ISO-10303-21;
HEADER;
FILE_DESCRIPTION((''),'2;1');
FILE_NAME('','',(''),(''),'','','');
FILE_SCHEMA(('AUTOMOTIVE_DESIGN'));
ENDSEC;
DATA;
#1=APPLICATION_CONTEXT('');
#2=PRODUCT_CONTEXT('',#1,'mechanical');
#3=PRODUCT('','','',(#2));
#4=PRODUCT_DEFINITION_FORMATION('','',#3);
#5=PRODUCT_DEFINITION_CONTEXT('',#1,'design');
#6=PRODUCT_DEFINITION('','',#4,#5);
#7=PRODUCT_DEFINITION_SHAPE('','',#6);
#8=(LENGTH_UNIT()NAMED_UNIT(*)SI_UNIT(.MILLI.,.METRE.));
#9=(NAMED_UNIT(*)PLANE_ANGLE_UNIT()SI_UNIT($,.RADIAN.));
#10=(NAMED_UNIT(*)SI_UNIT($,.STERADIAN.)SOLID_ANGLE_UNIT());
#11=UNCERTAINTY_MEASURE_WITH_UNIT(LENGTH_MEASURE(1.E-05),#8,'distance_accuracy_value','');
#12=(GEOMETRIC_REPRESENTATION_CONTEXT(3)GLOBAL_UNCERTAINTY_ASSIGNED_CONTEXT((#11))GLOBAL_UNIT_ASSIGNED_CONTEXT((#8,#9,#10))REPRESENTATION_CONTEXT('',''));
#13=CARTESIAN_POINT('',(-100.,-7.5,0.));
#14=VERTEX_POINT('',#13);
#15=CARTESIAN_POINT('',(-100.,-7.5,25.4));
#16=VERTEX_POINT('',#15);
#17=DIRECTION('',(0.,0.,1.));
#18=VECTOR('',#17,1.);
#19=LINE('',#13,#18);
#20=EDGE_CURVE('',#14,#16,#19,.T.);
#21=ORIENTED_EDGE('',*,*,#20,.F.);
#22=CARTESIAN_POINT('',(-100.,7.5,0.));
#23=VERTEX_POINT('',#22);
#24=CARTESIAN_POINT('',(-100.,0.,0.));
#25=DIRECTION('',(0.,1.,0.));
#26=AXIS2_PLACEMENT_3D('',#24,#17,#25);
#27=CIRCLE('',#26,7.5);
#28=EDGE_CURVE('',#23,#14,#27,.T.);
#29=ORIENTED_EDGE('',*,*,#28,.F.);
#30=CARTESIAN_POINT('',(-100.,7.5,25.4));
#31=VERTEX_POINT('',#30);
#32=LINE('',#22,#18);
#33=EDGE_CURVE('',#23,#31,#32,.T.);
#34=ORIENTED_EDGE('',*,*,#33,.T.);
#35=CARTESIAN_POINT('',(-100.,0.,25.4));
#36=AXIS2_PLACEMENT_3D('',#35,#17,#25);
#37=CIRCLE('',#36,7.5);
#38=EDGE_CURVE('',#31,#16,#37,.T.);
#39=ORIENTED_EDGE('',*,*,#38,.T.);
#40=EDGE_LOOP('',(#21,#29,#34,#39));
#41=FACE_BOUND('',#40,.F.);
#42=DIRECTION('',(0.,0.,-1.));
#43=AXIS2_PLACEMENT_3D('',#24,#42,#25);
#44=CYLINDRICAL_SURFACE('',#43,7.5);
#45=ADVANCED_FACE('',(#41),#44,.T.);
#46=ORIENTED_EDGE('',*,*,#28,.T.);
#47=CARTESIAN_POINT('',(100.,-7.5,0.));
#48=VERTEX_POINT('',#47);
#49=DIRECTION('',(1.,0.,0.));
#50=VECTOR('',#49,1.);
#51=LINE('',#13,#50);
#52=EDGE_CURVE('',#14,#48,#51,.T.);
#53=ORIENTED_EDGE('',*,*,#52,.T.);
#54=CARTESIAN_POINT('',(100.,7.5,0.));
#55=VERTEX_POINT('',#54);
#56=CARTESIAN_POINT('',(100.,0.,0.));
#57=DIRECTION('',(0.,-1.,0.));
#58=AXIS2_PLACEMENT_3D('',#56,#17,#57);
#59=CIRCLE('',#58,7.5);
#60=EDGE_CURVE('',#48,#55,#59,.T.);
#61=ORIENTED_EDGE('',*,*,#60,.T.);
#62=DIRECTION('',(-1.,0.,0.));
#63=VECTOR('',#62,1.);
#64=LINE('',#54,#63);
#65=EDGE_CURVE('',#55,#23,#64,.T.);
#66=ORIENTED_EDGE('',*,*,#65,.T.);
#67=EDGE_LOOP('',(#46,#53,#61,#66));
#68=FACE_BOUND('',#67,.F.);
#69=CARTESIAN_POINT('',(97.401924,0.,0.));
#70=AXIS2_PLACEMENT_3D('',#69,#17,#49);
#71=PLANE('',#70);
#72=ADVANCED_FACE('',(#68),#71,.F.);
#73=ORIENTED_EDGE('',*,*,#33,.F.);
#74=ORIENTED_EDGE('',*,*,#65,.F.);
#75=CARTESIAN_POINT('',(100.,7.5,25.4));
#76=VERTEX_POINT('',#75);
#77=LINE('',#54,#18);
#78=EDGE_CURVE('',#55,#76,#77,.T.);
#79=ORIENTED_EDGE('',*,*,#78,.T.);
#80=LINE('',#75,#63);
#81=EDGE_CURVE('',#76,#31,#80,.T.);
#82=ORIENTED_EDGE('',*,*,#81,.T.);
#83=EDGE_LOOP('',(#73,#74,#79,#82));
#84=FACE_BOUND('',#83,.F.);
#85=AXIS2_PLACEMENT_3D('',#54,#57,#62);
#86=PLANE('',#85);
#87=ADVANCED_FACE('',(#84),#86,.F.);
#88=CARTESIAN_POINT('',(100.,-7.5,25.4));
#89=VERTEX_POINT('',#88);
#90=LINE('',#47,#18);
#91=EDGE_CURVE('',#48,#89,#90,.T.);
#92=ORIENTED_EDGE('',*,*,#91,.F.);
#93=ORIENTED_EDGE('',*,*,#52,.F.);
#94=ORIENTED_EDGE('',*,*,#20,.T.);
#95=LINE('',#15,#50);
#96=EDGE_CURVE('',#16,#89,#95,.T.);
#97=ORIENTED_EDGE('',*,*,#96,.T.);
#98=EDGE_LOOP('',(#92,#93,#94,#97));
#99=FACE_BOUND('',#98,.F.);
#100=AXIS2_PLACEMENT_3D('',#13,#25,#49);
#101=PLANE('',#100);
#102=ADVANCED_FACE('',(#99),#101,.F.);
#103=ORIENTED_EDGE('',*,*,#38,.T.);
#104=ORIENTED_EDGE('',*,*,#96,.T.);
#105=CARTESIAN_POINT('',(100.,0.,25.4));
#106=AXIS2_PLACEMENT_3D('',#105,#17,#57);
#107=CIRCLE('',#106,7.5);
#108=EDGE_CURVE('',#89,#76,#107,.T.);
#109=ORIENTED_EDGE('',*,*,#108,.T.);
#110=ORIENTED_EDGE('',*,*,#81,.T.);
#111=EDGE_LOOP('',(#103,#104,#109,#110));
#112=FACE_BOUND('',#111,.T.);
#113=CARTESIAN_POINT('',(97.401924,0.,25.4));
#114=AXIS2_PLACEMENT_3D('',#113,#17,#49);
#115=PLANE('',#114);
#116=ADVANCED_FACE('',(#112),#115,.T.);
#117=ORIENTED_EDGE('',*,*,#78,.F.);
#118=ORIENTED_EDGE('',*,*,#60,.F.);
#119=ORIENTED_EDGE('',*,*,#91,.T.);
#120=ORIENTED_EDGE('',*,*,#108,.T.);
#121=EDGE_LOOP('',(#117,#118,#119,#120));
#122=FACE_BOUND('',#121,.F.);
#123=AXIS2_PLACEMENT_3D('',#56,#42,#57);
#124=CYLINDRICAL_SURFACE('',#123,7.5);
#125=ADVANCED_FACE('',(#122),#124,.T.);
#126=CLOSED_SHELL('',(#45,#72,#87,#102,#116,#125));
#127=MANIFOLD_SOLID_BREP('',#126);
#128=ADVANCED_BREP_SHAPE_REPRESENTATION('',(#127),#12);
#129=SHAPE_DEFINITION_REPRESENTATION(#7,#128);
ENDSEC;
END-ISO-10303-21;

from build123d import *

# Parameters (mm, degrees)
F1_DEPTH = 25.4


with BuildPart() as f1:
    # F0 (on Top) → F1 (new body)
    with BuildSketch(Plane.XY):
        with BuildLine():
            ThreePointArc((100, 7.5), (92.5, 0), (100, -7.5))
            Line((100, -7.5), (100, 7.5))
        make_face()
        with BuildLine():
            Line((-100, -7.5), (100, -7.5))
            ThreePointArc((100, -7.5), (92.5, 0), (100, 7.5))
            Line((100, 7.5), (-100, 7.5))
            ThreePointArc((-100, 7.5), (-94.6966991411, 5.3033008589), (-92.5, 0))
            ThreePointArc((-92.5, 0), (-94.6966991411, -5.3033008589), (-100, -7.5))
        make_face()
        with BuildLine():
            Line((100, 7.5), (100, -7.5))
            ThreePointArc((100, -7.5), (105.3033008589, -5.3033008589), (107.5, 0))
            ThreePointArc((107.5, 0), (105.3033008589, 5.3033008589), (100, 7.5))
        make_face()
        with BuildLine():
            ThreePointArc((-100, 7.5), (-107.5, 0), (-100, -7.5))
            Line((-100, -7.5), (-100, 7.5))
        make_face()
        with BuildLine():
            Line((-100, 7.5), (-100, -7.5))
            ThreePointArc((-100, -7.5), (-94.6966991411, -5.3033008589), (-92.5, 0))
            ThreePointArc((-92.5, 0), (-94.6966991411, 5.3033008589), (-100, 7.5))
        make_face()
    extrude(amount=F1_DEPTH)


solid = f1.part
